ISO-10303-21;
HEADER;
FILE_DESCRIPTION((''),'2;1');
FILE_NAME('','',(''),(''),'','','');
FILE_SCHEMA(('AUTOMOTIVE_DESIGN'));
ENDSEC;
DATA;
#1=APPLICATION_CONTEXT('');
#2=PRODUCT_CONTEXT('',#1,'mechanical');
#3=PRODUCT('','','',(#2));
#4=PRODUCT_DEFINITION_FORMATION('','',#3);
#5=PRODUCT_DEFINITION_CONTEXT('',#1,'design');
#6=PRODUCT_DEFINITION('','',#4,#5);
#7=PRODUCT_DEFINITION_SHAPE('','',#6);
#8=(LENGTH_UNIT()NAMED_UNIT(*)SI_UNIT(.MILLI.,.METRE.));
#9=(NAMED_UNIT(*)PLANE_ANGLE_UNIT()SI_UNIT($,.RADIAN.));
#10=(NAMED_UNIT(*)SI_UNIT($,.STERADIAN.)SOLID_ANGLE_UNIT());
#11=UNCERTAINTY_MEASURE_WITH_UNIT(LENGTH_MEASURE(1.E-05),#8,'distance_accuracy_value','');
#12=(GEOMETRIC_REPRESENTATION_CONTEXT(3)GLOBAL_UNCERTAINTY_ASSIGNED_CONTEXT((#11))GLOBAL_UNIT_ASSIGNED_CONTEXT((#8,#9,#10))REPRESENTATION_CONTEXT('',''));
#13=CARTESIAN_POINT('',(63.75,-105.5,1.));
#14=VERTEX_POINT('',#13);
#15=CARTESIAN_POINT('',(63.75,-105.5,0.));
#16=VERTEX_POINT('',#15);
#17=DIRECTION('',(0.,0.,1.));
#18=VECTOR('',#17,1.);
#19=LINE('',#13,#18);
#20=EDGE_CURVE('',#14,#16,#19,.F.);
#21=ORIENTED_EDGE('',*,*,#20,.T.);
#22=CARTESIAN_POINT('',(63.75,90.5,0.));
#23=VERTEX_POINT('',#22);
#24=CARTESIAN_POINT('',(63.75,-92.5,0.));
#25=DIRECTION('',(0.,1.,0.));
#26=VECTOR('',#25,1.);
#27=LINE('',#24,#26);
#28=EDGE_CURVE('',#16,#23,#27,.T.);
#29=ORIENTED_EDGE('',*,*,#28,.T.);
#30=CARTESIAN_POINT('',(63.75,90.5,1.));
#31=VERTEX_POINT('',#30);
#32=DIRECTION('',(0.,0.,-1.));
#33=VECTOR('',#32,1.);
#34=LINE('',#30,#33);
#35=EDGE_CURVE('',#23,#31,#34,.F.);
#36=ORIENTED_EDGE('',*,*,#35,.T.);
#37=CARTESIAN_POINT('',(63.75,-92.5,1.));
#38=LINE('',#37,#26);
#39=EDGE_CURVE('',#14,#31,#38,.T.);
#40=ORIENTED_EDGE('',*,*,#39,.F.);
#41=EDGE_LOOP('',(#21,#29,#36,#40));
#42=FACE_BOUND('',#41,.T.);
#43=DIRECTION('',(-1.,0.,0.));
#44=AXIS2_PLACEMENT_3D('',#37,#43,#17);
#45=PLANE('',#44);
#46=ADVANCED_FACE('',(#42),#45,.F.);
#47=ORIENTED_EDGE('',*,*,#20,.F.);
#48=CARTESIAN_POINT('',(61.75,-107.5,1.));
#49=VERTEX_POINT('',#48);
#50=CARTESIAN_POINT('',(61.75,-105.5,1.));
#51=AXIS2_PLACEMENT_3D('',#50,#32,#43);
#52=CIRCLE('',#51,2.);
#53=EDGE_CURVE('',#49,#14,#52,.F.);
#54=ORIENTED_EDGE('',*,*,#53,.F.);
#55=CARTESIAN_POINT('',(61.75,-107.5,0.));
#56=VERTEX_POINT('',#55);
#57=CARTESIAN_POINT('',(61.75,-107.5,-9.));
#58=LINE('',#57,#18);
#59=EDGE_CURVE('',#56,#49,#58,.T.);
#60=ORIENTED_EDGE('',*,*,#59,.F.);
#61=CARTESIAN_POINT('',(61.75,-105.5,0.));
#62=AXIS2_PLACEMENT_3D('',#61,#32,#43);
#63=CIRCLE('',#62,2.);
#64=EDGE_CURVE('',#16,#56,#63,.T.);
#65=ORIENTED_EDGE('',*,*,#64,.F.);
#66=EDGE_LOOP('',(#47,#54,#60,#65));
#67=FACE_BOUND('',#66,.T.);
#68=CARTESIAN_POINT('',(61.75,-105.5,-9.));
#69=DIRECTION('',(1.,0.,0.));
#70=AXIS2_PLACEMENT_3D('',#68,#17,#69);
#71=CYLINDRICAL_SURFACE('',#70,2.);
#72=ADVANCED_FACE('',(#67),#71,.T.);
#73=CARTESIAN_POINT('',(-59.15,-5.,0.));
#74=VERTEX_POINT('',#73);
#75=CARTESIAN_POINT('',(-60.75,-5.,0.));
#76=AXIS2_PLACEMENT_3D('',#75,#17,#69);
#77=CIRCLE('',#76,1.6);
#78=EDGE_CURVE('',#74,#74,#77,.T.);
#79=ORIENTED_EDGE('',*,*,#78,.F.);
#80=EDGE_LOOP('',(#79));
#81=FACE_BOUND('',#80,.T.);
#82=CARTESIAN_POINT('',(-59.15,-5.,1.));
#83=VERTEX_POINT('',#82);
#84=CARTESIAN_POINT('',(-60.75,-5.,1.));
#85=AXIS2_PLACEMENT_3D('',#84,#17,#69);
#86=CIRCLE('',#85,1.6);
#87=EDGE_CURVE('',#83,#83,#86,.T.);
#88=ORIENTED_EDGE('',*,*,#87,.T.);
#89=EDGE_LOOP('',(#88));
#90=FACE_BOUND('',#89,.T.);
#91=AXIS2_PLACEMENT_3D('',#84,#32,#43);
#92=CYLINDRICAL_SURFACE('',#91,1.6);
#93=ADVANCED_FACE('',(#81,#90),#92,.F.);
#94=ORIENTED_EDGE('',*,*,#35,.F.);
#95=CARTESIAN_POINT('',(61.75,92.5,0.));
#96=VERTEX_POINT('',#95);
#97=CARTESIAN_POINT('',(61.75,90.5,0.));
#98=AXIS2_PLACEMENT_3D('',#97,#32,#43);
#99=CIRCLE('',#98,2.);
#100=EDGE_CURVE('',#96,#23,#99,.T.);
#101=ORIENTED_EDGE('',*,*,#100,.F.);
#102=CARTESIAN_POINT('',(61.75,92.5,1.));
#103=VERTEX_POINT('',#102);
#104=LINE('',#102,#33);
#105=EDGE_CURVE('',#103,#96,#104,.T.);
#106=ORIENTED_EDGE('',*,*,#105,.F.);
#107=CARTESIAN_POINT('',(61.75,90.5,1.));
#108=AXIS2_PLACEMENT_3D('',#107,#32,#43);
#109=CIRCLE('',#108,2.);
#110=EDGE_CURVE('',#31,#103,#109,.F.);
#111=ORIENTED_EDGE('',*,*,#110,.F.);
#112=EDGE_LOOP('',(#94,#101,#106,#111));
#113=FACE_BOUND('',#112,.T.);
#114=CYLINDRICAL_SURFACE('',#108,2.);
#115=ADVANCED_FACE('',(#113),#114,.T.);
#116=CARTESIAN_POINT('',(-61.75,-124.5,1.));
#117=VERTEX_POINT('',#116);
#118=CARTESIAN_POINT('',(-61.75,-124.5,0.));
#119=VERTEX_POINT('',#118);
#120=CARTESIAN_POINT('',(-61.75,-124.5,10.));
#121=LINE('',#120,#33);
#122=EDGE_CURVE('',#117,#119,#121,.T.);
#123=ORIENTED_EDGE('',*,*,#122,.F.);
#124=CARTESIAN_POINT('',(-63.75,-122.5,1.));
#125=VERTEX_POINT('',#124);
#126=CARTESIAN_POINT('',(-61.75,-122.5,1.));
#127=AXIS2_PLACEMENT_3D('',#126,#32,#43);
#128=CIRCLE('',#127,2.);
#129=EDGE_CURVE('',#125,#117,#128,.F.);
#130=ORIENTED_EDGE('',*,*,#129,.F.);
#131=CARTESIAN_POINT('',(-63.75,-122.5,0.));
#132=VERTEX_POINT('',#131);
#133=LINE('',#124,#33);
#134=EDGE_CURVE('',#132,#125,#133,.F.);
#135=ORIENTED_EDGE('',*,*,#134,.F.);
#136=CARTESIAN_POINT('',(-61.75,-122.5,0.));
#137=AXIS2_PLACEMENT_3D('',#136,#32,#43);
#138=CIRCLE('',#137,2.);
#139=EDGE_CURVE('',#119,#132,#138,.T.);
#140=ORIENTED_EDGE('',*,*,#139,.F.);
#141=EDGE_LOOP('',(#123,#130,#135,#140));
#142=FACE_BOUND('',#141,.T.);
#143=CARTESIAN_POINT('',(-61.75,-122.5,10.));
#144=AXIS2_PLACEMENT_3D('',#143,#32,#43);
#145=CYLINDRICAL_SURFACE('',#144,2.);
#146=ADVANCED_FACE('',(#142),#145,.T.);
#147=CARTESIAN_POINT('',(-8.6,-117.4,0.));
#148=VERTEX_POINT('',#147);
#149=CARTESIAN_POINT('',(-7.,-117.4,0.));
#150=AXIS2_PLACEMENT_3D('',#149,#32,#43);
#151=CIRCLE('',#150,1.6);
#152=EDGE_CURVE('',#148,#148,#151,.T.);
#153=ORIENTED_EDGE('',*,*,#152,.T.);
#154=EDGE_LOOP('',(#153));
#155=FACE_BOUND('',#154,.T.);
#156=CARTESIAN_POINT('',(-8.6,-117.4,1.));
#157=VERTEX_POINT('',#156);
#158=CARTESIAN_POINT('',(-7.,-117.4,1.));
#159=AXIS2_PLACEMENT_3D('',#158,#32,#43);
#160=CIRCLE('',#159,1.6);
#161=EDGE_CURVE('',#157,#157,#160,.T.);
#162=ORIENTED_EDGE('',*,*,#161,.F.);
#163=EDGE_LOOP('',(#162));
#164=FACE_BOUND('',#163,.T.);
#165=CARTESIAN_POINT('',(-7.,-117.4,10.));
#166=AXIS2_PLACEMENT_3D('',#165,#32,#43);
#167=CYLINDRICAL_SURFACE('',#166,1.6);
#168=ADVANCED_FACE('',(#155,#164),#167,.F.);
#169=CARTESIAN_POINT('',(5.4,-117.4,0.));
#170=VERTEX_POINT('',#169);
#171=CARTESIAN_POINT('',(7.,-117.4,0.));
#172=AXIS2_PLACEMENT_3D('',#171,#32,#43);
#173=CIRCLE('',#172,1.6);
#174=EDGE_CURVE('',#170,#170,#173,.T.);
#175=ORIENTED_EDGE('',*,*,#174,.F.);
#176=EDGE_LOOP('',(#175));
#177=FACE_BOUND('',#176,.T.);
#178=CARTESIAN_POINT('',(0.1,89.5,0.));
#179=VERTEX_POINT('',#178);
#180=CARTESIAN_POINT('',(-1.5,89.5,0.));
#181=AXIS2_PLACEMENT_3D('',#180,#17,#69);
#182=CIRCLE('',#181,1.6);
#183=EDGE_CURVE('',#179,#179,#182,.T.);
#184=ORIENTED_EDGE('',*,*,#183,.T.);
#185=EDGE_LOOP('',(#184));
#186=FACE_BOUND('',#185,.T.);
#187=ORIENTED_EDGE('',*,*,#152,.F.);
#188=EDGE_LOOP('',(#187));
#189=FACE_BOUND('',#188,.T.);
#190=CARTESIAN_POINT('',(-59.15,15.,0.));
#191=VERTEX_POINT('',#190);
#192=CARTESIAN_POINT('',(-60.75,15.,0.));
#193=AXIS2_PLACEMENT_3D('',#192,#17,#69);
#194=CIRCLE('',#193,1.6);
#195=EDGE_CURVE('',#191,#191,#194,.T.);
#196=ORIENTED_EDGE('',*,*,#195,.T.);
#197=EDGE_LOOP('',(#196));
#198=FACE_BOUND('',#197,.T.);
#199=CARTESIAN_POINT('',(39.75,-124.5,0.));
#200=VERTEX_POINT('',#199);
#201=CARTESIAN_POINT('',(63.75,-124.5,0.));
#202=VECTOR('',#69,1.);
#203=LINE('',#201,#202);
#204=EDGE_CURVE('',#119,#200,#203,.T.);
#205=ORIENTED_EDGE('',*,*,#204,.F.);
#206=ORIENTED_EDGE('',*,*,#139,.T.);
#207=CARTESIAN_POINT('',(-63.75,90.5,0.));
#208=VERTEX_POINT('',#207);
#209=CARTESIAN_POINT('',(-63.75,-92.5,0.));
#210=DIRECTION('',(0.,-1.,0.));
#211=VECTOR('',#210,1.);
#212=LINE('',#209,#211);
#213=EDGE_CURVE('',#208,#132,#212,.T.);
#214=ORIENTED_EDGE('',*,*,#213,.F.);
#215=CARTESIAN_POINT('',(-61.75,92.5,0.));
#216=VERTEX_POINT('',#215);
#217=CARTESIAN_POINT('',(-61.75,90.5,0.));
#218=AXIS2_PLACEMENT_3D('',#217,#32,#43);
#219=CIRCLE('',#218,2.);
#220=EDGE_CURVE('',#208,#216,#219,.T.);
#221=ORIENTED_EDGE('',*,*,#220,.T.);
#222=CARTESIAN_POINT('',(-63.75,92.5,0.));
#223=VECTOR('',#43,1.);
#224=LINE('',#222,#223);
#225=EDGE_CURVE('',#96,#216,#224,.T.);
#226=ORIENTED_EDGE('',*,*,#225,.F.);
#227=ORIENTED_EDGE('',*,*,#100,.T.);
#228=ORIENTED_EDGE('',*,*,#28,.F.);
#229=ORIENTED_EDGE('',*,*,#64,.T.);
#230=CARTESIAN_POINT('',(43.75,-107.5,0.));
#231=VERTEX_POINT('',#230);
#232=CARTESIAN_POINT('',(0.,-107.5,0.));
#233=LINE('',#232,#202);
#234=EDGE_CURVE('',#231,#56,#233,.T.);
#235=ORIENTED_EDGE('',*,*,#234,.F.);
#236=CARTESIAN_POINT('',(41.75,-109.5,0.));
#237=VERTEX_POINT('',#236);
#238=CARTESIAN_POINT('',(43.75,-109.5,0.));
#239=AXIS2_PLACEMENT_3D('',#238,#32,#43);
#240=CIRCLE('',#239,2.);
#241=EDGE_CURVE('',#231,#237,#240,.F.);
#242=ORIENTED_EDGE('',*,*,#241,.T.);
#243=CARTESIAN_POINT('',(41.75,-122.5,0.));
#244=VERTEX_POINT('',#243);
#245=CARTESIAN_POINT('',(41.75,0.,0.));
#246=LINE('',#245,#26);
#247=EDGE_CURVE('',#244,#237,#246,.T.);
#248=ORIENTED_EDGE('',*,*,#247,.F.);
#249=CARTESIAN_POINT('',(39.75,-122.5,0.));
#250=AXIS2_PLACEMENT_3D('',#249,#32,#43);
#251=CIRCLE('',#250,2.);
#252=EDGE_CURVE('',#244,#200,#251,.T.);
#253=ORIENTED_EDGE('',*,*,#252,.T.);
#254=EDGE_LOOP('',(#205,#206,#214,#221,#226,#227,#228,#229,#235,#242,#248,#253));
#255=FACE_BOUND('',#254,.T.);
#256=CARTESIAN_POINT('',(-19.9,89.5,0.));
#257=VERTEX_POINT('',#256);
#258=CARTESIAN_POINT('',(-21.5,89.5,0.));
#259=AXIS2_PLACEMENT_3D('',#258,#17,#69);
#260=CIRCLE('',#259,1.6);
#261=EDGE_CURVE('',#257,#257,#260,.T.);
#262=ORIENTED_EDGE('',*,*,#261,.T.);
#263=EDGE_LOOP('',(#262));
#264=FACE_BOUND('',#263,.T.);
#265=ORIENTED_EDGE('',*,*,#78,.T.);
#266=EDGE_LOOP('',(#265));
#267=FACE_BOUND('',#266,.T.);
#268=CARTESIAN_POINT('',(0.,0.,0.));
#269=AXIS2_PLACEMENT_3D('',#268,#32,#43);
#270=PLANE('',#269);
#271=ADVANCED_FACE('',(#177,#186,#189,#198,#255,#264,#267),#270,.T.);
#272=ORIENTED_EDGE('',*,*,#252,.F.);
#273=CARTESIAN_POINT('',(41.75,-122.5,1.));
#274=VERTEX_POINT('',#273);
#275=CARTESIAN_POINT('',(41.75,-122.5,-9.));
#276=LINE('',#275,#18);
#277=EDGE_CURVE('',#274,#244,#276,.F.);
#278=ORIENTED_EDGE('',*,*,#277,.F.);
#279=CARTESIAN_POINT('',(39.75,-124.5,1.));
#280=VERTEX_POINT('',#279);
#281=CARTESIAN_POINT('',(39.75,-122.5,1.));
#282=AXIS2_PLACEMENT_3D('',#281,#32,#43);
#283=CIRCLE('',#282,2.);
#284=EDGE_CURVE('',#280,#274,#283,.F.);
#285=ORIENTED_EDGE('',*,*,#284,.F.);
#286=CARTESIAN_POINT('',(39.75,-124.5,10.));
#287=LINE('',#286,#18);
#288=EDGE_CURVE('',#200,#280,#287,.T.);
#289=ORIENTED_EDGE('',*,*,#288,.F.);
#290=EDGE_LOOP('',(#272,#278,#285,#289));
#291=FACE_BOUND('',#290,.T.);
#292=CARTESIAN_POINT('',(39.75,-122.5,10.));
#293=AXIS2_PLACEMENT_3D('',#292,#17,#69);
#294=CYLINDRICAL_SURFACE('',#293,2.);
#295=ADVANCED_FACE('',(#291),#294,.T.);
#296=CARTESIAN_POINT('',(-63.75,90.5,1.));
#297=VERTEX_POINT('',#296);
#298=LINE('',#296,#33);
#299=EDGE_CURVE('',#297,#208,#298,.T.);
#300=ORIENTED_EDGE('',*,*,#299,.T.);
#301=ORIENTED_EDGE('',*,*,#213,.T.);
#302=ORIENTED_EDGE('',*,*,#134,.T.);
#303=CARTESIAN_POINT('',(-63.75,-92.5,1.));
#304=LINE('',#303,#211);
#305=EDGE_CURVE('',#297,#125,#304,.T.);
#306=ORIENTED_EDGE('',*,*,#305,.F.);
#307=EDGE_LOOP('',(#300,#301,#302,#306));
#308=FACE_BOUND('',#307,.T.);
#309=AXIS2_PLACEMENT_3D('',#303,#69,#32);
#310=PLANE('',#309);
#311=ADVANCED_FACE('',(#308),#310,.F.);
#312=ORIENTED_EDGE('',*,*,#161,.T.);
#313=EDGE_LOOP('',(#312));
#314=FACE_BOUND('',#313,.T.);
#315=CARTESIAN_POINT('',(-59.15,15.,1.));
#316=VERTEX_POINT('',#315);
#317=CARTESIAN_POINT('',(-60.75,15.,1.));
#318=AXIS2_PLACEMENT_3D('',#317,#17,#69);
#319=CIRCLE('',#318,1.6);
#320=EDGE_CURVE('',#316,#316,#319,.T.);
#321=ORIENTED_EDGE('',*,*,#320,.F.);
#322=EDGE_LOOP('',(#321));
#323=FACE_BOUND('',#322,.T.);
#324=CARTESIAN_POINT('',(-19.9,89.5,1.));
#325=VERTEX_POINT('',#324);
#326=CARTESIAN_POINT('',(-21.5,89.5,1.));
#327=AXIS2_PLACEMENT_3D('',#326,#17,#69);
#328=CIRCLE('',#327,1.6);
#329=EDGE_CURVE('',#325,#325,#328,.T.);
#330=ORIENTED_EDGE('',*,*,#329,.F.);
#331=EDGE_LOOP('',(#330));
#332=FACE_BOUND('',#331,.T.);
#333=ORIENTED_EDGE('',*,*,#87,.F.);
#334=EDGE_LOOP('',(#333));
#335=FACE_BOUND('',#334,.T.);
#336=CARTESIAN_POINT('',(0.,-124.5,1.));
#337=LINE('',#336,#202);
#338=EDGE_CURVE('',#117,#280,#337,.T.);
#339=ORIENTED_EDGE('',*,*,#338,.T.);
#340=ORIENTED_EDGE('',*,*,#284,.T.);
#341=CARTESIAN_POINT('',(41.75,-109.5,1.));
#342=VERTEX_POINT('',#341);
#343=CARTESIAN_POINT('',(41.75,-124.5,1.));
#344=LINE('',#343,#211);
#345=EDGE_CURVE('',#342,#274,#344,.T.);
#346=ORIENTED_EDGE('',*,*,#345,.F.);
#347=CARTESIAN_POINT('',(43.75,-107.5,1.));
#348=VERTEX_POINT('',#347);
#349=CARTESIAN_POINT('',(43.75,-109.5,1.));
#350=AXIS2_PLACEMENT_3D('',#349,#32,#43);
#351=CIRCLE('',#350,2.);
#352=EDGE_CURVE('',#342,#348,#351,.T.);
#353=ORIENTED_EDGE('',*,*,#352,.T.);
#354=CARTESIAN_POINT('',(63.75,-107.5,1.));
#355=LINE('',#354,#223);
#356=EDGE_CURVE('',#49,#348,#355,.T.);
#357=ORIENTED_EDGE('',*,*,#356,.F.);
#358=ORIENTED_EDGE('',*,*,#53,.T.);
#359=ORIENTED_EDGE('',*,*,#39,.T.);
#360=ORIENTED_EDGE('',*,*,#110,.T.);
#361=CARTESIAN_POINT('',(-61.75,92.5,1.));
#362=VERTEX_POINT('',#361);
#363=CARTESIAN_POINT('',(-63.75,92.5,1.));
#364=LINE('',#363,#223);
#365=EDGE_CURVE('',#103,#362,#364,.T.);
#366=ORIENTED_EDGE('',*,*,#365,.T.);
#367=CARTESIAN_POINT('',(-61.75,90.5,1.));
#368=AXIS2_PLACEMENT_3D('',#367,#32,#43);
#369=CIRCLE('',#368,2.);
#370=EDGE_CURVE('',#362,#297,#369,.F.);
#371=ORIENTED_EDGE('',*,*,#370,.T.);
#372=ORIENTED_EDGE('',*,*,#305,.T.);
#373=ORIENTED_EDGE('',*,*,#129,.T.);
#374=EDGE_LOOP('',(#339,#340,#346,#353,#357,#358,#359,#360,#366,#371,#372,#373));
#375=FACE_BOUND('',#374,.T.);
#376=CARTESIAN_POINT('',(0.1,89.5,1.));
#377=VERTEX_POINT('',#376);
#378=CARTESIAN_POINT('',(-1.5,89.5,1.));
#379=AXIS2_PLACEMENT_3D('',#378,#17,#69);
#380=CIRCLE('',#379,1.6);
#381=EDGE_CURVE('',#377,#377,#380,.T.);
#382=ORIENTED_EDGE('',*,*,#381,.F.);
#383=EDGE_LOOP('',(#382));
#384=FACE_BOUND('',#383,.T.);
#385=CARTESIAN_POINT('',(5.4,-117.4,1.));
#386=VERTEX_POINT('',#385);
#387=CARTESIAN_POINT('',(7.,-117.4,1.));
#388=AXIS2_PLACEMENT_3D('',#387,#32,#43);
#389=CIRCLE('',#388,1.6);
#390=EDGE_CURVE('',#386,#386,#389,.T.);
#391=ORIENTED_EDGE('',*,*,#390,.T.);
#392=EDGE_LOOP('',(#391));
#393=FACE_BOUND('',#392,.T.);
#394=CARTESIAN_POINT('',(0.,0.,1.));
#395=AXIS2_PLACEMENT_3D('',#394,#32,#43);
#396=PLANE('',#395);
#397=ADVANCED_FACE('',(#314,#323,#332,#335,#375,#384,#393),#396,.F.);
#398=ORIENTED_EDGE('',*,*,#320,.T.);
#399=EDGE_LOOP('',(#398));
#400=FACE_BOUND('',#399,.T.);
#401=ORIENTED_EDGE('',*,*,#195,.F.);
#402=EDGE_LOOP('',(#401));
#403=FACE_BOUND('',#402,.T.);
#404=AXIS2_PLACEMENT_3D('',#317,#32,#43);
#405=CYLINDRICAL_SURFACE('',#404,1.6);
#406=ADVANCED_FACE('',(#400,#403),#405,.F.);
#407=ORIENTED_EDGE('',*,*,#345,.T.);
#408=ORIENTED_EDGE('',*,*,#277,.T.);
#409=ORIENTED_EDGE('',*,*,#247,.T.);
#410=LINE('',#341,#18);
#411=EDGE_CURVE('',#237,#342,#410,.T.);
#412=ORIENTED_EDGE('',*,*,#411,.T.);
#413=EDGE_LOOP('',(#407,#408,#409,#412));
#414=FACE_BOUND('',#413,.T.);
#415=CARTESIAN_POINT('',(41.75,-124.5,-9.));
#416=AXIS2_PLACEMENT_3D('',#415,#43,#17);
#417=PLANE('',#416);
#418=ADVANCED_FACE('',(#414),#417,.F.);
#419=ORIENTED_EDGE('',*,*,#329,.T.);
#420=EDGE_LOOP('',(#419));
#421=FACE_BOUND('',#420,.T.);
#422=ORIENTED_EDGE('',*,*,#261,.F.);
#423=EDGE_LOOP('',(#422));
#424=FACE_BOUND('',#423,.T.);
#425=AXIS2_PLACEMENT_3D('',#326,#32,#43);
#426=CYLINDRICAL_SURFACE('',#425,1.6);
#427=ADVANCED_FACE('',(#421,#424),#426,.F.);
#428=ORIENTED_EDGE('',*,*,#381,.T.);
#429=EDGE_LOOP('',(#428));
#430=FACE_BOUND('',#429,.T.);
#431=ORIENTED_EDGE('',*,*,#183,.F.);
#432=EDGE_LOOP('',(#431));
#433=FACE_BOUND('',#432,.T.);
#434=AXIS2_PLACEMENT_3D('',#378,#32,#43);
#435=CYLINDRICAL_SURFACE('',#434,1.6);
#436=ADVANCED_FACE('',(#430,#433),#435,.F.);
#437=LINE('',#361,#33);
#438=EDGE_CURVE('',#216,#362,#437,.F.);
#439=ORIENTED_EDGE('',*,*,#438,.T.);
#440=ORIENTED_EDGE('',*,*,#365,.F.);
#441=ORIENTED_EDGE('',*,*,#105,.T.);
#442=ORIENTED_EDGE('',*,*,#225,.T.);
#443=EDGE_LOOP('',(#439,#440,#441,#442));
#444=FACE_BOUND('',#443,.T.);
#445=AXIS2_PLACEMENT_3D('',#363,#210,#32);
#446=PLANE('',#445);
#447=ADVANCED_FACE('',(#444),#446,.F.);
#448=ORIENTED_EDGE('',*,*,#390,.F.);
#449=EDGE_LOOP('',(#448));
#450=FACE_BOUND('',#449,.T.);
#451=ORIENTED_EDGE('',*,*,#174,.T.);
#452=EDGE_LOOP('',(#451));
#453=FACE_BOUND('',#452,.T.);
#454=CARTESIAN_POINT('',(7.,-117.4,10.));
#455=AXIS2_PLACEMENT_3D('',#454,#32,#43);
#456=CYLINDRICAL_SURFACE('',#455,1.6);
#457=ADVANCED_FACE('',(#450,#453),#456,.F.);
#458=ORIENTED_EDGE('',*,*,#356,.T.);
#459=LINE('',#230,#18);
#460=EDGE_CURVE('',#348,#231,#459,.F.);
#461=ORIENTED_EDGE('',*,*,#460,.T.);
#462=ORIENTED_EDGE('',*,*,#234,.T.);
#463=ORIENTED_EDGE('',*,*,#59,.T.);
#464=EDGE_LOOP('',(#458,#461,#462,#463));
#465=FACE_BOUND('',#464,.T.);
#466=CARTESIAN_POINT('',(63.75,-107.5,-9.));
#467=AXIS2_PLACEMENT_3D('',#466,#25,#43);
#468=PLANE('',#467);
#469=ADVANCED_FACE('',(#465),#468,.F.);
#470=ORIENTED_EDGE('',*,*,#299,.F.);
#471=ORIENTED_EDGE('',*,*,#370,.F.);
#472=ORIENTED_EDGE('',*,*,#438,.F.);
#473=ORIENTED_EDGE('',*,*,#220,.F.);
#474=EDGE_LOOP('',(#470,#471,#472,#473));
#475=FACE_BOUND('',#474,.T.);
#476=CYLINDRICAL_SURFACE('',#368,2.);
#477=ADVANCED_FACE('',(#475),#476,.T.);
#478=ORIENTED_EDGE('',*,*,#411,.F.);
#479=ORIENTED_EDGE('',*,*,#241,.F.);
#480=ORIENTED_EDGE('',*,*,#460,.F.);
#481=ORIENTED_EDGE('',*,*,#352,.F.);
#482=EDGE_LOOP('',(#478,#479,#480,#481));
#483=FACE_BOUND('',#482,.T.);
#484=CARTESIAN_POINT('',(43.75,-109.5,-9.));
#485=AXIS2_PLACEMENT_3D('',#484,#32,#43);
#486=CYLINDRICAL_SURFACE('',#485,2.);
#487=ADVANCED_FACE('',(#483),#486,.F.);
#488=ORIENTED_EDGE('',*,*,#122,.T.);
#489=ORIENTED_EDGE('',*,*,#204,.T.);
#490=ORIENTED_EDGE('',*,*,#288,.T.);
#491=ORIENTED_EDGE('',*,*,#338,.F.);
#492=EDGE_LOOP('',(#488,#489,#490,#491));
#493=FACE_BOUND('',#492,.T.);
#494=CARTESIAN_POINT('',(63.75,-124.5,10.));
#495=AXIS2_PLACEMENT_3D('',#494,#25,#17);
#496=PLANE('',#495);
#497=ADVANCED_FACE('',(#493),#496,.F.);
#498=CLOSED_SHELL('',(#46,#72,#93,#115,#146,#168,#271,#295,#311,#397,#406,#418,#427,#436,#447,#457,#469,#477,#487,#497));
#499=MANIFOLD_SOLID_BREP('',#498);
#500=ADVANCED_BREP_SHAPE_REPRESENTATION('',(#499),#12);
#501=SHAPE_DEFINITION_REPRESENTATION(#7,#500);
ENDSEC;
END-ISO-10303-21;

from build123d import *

# Parameters (mm, degrees)
SKETCH_1_W          = 127.5
SKETCH_1_H          = 185
SKETCH_1_R          = 1.6
EXTRUDE_1_DEPTH     = 1
SKETCH_2_W          = 127.5
SKETCH_2_H          = 35
EXTRUDE_2_DEPTH     = 1
SKETCH_3_R          = 1.6
CUT_EXTRUDE_1_DEPTH = 10
SKETCH_4_W          = 127.5
SKETCH_4_H          = 3
CUT_EXTRUDE_2_DEPTH = 10
SKETCH_5_W          = 22
SKETCH_5_H          = 17
CUT_EXTRUDE_3_DEPTH = 10
FILLET_2_R          = 2


with BuildPart() as part:
    # 草图1 → 凸台-拉伸1 (new body)
    with BuildSketch(Plane.XY):
        Rectangle(SKETCH_1_W, SKETCH_1_H)
        with Locations((-21.5, 89.5)):
            Circle(SKETCH_1_R, mode=Mode.SUBTRACT)
        with Locations((-1.5, 89.5)):
            Circle(SKETCH_1_R, mode=Mode.SUBTRACT)
        with Locations((-60.75, 15)):
            Circle(SKETCH_1_R, mode=Mode.SUBTRACT)
        with Locations((-60.75, -5)):
            Circle(SKETCH_1_R, mode=Mode.SUBTRACT)
    extrude(amount=EXTRUDE_1_DEPTH)

    # 草图2 → 凸台-拉伸2 (add)
    with BuildSketch(Plane.XY.offset(1)):
        with Locations((0, -110)):
            Rectangle(SKETCH_2_W, SKETCH_2_H)
    extrude(amount=-EXTRUDE_2_DEPTH)

    # 草图3 → 切除-拉伸1 (cut)
    with BuildSketch(Plane(origin=(0, 0, 0), x_dir=(-1, 0, 0), z_dir=(0, 0, -1))):
        with Locations((-7, -117.4)):
            Circle(SKETCH_3_R)
        with Locations((7, -117.4)):
            Circle(SKETCH_3_R)
    extrude(amount=-CUT_EXTRUDE_1_DEPTH, mode=Mode.SUBTRACT)

    # 草图4 → 切除-拉伸2 (cut)
    with BuildSketch(Plane(origin=(0, 0, 0), x_dir=(-1, 0, 0), z_dir=(0, 0, -1))):
        with Locations((0, -126)):
            Rectangle(SKETCH_4_W, SKETCH_4_H)
    extrude(amount=-CUT_EXTRUDE_2_DEPTH, mode=Mode.SUBTRACT)

    # 草图5 → 切除-拉伸3 (cut)
    with BuildSketch(Plane.XY.offset(1)):
        with Locations((52.75, -116)):
            Rectangle(SKETCH_5_W, SKETCH_5_H)
    extrude(amount=-CUT_EXTRUDE_3_DEPTH, mode=Mode.SUBTRACT)

    # 圆角2
    fillet_2_edges = [part.edges().sort_by_distance(p)[0] for p in [
        (-63.75, -124.5, 0.5),
        (41.75, -124.5, 0.5),
        (-63.75, 92.5, 0.5),
        (63.75, 92.5, 0.5),
        (63.75, -107.5, 0.5),
        (41.75, -107.5, 0.5),
    ]]
    fillet(fillet_2_edges, radius=FILLET_2_R)


solid = part.part
